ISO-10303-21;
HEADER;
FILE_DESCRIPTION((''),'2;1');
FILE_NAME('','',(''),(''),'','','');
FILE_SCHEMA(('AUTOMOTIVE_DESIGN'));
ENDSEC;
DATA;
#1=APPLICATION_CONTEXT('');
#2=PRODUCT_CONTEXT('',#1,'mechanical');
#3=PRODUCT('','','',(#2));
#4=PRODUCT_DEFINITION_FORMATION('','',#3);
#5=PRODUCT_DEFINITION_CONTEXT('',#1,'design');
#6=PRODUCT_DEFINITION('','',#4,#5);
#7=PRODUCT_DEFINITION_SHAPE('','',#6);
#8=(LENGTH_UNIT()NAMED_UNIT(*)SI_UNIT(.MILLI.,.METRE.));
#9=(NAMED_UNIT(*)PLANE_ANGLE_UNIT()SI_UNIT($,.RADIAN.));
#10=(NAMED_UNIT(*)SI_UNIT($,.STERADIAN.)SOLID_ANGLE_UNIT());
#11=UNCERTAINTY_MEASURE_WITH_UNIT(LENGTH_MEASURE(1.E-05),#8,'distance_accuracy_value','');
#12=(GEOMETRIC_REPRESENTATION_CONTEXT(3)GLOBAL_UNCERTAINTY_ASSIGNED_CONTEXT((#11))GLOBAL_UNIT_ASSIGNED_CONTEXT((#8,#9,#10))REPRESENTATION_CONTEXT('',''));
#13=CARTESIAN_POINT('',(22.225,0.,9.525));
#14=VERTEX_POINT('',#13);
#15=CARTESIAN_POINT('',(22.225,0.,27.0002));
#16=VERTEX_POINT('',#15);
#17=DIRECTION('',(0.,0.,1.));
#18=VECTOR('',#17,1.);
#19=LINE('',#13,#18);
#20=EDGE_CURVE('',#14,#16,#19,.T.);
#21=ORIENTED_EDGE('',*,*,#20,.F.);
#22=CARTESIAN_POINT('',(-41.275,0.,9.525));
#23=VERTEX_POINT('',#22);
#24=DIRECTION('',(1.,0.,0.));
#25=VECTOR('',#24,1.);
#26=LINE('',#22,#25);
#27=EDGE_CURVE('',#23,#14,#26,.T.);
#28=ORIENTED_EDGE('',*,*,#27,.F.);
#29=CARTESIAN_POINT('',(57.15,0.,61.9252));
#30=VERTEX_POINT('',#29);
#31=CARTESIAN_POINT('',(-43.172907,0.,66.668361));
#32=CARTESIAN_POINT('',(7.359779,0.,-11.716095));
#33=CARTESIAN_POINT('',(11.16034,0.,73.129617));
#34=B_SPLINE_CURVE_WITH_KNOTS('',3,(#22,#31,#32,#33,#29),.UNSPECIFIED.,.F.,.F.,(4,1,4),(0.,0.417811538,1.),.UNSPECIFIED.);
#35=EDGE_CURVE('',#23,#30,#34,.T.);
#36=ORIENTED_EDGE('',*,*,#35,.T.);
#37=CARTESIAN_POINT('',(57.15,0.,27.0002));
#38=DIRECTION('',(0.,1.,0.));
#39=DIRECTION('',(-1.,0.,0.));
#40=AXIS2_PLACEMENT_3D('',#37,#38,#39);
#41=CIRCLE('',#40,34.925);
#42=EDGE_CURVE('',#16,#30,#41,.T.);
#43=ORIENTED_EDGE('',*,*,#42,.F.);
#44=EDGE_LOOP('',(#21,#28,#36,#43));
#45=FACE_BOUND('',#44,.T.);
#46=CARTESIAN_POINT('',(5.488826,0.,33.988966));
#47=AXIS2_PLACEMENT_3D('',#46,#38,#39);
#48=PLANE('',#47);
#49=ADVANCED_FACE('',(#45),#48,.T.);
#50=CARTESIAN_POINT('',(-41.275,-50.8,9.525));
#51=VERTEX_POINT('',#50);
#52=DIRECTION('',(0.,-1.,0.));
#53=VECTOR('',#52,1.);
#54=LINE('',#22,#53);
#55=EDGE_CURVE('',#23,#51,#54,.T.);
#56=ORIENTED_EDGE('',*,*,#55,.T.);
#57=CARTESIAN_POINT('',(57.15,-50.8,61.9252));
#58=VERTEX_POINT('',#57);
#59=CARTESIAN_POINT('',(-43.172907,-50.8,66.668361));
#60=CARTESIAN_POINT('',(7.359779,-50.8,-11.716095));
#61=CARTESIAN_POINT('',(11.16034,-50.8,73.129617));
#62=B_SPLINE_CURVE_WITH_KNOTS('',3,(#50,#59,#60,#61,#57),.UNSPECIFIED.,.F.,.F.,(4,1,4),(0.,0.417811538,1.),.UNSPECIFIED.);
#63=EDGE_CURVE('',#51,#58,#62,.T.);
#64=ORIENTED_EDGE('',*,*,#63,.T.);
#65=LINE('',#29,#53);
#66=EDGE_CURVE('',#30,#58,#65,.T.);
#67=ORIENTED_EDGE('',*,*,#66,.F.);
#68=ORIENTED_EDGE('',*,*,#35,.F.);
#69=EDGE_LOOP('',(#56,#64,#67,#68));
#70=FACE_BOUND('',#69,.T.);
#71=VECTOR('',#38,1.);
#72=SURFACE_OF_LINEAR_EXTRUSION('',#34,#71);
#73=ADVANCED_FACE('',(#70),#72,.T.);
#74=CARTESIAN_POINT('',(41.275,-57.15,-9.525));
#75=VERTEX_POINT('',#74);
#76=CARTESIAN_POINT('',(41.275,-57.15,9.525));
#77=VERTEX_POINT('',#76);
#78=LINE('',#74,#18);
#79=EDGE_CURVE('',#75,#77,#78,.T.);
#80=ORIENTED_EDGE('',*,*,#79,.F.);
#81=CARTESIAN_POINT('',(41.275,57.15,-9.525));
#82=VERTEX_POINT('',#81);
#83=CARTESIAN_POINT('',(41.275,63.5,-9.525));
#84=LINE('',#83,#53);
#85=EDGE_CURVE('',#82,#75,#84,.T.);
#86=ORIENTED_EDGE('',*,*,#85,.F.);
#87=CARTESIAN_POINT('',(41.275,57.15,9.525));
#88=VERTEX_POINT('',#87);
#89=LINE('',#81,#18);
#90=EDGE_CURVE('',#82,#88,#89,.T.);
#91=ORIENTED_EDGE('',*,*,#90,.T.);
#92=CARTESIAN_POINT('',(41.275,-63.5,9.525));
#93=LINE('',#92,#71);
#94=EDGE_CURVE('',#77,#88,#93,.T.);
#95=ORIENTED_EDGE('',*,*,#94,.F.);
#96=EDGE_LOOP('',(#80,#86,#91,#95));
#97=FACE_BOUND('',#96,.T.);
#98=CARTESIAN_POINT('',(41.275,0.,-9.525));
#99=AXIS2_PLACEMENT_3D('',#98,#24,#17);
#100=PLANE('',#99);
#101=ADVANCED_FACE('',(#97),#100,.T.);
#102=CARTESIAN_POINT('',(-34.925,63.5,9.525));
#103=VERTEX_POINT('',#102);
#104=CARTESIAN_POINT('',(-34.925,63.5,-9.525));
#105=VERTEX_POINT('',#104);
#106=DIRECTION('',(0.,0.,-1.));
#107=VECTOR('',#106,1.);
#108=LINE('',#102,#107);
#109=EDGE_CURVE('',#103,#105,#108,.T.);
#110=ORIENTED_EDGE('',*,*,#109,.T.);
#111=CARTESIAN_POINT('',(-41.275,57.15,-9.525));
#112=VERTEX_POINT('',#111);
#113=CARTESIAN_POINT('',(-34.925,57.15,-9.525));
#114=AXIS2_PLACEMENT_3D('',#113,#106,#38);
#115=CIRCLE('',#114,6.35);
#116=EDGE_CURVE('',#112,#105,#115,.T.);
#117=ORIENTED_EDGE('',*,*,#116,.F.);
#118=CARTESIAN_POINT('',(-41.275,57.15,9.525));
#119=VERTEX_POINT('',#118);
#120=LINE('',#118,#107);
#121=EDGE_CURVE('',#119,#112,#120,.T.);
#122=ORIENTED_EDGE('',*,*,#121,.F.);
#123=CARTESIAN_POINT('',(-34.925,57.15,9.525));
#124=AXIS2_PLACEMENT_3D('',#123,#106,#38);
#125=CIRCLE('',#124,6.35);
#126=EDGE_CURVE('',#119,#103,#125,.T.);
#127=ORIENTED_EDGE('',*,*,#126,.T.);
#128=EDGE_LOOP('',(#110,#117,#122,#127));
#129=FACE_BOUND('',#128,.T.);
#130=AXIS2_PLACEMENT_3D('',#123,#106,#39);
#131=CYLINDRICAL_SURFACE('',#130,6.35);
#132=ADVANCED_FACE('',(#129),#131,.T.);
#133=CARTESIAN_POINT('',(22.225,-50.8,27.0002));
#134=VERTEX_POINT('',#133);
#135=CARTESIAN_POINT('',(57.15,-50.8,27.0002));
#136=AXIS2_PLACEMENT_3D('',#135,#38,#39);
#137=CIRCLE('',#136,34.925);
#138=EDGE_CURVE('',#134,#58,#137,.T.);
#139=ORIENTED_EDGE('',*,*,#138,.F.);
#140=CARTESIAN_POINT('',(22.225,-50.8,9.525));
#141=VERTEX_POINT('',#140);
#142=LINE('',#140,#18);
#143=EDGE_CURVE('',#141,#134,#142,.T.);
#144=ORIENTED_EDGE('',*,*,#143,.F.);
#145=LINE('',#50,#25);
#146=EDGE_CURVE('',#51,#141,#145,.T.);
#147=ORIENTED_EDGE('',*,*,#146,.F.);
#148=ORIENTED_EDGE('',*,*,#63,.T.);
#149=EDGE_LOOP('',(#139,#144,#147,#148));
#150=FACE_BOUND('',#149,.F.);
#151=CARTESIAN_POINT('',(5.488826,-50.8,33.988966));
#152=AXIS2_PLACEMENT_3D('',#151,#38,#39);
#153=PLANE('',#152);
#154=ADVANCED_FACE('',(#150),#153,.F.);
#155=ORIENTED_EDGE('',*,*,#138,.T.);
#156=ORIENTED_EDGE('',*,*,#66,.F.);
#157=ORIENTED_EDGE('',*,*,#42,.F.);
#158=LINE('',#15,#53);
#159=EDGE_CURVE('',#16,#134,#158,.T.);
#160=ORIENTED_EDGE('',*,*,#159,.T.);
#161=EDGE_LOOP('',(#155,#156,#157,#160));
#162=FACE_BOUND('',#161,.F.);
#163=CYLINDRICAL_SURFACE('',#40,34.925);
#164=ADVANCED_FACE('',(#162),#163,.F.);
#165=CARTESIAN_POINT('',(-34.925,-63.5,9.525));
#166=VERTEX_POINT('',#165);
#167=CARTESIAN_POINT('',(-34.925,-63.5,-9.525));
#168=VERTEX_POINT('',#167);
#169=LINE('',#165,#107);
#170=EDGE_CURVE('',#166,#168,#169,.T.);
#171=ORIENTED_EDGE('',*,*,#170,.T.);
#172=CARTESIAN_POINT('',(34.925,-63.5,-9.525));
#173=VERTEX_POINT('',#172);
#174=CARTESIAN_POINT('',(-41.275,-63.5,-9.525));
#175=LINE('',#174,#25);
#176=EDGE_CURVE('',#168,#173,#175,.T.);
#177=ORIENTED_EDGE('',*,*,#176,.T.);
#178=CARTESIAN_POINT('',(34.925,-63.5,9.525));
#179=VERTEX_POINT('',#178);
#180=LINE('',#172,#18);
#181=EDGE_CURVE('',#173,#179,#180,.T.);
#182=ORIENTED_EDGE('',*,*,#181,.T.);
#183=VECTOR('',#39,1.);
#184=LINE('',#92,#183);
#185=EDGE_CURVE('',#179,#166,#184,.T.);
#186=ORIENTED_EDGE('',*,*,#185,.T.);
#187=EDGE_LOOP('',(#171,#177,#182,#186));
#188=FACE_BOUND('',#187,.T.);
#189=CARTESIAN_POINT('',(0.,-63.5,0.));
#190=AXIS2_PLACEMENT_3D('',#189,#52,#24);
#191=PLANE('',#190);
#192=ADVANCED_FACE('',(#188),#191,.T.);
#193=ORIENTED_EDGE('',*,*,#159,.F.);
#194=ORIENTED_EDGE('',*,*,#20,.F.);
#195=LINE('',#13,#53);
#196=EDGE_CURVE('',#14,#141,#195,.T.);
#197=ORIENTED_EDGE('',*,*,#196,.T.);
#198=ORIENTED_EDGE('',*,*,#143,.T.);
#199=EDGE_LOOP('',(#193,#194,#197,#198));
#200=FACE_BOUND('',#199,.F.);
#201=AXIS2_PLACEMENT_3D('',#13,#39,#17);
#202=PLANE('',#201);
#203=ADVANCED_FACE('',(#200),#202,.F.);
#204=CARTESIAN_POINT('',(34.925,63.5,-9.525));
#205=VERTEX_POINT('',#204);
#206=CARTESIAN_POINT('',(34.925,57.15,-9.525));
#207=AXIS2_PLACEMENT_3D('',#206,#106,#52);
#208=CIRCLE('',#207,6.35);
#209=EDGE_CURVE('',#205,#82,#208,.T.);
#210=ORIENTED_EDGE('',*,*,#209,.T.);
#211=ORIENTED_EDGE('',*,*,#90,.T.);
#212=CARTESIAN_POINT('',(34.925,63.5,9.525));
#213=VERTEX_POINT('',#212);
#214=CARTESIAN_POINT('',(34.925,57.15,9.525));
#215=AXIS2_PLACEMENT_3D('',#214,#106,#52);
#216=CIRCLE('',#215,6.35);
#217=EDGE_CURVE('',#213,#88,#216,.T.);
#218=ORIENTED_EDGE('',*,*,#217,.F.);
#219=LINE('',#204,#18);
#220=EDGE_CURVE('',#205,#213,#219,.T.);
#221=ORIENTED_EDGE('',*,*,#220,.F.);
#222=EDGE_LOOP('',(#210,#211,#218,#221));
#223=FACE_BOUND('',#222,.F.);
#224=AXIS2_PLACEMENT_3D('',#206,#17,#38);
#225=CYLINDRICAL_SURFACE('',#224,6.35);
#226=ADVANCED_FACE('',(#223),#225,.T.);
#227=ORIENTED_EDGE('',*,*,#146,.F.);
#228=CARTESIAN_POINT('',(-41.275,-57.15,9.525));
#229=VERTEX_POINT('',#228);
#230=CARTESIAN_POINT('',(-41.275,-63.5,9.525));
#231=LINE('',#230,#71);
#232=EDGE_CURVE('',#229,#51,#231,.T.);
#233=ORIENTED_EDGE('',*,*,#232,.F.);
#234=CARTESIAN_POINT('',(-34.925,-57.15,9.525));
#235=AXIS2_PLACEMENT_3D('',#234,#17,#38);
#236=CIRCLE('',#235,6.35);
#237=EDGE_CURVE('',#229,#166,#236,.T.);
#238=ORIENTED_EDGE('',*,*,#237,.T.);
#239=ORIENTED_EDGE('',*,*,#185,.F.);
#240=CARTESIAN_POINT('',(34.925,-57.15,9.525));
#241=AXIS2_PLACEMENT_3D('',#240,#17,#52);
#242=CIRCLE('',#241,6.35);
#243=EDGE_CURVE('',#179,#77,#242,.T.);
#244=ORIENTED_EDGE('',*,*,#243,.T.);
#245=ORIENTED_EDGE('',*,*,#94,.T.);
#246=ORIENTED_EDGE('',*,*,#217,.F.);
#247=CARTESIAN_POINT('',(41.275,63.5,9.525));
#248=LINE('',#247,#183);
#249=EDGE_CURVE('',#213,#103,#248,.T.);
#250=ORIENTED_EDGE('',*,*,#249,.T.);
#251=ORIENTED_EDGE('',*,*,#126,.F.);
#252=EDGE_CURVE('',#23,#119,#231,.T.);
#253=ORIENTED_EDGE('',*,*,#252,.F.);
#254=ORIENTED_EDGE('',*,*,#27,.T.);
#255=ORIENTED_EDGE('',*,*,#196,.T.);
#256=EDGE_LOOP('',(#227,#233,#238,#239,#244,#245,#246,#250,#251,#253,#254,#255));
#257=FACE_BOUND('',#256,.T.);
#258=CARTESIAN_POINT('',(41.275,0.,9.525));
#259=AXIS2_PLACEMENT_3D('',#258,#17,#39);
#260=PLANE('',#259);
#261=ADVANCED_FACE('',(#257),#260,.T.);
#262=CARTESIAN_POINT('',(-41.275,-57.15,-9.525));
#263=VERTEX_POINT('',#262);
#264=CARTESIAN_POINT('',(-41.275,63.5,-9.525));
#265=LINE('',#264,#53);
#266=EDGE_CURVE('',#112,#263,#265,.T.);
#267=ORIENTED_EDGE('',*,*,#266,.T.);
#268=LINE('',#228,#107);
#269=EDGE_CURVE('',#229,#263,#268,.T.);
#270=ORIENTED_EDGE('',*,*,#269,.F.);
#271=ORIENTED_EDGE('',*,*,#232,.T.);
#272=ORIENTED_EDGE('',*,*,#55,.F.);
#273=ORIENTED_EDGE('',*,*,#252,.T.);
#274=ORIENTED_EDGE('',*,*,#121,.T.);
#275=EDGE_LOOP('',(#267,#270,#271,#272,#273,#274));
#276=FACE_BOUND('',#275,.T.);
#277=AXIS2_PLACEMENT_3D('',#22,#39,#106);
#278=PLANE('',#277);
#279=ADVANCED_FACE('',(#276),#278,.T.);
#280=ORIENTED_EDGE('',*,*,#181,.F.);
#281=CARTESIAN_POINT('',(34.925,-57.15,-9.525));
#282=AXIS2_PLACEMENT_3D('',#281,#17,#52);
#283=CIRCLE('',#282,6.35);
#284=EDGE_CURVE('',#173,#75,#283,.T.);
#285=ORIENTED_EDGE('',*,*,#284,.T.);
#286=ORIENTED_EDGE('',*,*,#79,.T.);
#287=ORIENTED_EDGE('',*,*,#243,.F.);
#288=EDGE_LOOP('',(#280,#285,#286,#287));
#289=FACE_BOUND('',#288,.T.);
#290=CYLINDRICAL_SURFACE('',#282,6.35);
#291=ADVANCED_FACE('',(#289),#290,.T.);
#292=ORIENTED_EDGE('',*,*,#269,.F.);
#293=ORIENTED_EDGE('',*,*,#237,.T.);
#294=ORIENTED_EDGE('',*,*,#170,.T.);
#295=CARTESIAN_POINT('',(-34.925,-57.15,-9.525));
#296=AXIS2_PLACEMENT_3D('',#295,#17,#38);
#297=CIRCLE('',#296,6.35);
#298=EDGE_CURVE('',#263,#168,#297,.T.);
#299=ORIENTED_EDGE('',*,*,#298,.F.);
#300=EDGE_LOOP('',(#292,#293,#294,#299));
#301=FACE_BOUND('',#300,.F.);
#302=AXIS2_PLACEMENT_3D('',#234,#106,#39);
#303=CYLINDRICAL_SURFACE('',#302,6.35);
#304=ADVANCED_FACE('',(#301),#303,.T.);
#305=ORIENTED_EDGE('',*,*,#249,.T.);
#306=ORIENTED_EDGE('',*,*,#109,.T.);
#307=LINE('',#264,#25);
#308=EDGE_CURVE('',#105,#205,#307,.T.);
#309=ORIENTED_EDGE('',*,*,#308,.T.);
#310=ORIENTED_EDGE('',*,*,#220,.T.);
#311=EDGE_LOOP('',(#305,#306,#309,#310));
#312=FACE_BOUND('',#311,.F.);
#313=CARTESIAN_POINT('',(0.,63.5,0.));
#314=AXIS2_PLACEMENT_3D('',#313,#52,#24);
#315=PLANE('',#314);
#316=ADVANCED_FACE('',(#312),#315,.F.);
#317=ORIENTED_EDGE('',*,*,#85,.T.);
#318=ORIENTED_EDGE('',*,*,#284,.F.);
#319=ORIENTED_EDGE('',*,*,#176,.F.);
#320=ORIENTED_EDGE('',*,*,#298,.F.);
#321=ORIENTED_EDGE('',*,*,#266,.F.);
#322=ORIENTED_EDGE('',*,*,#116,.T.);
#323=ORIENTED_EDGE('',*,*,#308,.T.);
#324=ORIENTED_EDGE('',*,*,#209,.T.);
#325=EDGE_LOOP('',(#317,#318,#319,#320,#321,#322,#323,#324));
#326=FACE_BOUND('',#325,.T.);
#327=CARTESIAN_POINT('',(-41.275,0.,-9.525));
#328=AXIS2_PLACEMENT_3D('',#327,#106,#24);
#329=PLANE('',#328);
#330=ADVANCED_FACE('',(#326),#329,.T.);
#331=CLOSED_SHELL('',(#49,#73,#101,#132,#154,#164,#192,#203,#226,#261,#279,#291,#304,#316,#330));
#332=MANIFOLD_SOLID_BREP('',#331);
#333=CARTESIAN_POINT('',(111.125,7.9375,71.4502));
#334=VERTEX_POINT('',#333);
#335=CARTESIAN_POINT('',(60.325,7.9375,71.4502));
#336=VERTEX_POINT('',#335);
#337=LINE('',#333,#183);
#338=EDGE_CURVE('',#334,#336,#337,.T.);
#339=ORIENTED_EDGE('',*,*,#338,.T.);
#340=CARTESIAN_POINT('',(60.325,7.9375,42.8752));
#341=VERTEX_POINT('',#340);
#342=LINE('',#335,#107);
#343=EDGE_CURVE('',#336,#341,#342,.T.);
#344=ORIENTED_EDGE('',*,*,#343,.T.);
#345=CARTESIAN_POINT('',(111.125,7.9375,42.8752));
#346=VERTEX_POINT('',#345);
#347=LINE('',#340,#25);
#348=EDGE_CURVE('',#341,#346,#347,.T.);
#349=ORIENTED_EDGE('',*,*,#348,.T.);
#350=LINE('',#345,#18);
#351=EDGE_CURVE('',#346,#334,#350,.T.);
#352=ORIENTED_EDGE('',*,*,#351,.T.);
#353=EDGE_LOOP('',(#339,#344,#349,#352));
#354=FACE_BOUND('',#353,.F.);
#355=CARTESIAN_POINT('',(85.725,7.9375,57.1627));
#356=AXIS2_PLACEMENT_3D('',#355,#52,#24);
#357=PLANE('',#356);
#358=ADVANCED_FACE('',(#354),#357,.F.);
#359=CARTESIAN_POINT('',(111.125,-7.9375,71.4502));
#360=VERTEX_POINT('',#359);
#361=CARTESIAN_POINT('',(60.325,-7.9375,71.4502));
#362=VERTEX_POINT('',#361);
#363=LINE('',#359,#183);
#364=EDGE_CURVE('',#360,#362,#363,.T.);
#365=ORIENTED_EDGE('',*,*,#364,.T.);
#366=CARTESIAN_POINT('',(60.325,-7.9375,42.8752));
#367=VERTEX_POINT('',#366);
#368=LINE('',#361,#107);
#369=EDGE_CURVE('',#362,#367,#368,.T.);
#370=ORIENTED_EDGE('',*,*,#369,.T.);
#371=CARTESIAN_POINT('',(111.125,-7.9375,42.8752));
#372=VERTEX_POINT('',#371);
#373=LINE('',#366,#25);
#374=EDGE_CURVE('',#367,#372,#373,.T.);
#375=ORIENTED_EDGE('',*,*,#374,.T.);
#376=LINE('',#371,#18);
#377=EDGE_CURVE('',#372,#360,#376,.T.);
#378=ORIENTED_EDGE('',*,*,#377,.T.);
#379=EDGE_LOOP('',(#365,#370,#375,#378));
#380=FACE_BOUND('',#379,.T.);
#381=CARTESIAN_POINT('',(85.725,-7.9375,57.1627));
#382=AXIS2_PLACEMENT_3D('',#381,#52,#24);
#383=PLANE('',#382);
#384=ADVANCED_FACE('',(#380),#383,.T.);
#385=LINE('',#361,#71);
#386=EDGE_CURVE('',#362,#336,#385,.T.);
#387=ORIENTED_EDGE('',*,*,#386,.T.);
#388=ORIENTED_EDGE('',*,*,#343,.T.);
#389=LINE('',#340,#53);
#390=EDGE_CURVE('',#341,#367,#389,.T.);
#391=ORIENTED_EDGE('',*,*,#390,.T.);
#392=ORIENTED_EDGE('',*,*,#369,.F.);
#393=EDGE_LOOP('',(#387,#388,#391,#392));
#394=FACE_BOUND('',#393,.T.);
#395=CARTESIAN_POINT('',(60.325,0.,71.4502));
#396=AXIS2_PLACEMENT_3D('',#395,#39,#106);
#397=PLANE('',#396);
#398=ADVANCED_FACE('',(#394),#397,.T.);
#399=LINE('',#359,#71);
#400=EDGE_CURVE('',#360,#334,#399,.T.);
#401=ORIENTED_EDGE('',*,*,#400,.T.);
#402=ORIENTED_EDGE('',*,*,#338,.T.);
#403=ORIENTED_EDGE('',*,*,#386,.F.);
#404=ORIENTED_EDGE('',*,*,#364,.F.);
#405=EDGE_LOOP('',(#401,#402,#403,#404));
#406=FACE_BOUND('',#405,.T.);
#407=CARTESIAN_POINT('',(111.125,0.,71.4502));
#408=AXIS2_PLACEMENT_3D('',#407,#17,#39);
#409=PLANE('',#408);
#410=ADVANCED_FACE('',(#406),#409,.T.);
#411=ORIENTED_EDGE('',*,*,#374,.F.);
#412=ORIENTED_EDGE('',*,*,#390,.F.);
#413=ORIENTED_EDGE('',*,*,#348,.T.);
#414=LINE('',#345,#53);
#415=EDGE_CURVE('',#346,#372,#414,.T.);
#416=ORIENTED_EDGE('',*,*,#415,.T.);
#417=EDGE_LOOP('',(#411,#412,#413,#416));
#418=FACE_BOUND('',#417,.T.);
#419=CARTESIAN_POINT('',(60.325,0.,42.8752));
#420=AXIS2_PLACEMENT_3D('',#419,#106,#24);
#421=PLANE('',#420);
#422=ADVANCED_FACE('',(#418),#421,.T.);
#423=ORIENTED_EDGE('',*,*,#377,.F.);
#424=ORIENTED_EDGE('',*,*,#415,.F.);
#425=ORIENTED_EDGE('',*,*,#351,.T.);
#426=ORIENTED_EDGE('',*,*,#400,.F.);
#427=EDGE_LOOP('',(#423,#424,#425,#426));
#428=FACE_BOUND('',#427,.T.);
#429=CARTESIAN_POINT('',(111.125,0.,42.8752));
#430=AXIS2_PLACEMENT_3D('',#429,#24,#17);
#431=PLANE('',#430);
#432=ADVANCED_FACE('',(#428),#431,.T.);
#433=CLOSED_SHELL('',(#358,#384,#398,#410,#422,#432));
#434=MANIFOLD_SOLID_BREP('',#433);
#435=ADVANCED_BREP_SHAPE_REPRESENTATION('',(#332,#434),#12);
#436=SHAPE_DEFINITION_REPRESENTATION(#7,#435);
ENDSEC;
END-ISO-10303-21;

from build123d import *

# Parameters (mm, degrees)
F1_DEPTH = 63.5
F2_DEPTH = 50.8
F3_DEPTH = 7.9375
F4_R     = 6.35


with BuildPart() as f1:
    # F0 (on Front) → F1 (new body, symmetric)
    with BuildSketch(Plane.XZ):
        Polygon((-41.275, 9.525), (-41.275, -9.525), (41.275, -9.525), (41.275, 9.525), (22.225, 9.525), align=None)
    extrude(amount=F1_DEPTH, both=True)

    # F0 (on Front) → F2 (join)
    with BuildSketch(Plane.XZ):
        with BuildLine():
            add(Edge.make_bspline(
                [(-41.275, 9.525), (-43.1729070842, 66.6683614254), (7.3597787426, -11.7160947828), (11.1603401601, 73.1296166778), (57.15, 61.9252)],
                knots=[0, 0, 0, 0, 0.4178115384, 1, 1, 1, 1], degree=3))
            Line((-41.275, 9.525), (22.225, 9.525))
            Line((22.225, 9.525), (22.225, 27.0002))
            ThreePointArc((22.225, 27.0002), (32.4542956671, 51.6959043329), (57.15, 61.9252))
        make_face()
    extrude(amount=F2_DEPTH)

    # F4
    f4_edges = [f1.edges().sort_by_distance(p)[0] for p in [
        (-41.275, -63.5, 0),
        (41.275, -63.5, 0),
        (41.275, 63.5, 0),
        (-41.275, 63.5, 0),
    ]]
    fillet(f4_edges, radius=F4_R)


with BuildPart() as f3:
    # F0 (on Front) → F3 (new body, symmetric)
    with BuildSketch(Plane.XZ):
        Polygon((60.325, 71.4502), (60.325, 61.9252), (60.325, 42.8752), (85.725, 42.8752), (111.125, 42.8752), (111.125, 71.4502), align=None)
    extrude(amount=F3_DEPTH, both=True)


solid = Compound([f1.part, f3.part])
